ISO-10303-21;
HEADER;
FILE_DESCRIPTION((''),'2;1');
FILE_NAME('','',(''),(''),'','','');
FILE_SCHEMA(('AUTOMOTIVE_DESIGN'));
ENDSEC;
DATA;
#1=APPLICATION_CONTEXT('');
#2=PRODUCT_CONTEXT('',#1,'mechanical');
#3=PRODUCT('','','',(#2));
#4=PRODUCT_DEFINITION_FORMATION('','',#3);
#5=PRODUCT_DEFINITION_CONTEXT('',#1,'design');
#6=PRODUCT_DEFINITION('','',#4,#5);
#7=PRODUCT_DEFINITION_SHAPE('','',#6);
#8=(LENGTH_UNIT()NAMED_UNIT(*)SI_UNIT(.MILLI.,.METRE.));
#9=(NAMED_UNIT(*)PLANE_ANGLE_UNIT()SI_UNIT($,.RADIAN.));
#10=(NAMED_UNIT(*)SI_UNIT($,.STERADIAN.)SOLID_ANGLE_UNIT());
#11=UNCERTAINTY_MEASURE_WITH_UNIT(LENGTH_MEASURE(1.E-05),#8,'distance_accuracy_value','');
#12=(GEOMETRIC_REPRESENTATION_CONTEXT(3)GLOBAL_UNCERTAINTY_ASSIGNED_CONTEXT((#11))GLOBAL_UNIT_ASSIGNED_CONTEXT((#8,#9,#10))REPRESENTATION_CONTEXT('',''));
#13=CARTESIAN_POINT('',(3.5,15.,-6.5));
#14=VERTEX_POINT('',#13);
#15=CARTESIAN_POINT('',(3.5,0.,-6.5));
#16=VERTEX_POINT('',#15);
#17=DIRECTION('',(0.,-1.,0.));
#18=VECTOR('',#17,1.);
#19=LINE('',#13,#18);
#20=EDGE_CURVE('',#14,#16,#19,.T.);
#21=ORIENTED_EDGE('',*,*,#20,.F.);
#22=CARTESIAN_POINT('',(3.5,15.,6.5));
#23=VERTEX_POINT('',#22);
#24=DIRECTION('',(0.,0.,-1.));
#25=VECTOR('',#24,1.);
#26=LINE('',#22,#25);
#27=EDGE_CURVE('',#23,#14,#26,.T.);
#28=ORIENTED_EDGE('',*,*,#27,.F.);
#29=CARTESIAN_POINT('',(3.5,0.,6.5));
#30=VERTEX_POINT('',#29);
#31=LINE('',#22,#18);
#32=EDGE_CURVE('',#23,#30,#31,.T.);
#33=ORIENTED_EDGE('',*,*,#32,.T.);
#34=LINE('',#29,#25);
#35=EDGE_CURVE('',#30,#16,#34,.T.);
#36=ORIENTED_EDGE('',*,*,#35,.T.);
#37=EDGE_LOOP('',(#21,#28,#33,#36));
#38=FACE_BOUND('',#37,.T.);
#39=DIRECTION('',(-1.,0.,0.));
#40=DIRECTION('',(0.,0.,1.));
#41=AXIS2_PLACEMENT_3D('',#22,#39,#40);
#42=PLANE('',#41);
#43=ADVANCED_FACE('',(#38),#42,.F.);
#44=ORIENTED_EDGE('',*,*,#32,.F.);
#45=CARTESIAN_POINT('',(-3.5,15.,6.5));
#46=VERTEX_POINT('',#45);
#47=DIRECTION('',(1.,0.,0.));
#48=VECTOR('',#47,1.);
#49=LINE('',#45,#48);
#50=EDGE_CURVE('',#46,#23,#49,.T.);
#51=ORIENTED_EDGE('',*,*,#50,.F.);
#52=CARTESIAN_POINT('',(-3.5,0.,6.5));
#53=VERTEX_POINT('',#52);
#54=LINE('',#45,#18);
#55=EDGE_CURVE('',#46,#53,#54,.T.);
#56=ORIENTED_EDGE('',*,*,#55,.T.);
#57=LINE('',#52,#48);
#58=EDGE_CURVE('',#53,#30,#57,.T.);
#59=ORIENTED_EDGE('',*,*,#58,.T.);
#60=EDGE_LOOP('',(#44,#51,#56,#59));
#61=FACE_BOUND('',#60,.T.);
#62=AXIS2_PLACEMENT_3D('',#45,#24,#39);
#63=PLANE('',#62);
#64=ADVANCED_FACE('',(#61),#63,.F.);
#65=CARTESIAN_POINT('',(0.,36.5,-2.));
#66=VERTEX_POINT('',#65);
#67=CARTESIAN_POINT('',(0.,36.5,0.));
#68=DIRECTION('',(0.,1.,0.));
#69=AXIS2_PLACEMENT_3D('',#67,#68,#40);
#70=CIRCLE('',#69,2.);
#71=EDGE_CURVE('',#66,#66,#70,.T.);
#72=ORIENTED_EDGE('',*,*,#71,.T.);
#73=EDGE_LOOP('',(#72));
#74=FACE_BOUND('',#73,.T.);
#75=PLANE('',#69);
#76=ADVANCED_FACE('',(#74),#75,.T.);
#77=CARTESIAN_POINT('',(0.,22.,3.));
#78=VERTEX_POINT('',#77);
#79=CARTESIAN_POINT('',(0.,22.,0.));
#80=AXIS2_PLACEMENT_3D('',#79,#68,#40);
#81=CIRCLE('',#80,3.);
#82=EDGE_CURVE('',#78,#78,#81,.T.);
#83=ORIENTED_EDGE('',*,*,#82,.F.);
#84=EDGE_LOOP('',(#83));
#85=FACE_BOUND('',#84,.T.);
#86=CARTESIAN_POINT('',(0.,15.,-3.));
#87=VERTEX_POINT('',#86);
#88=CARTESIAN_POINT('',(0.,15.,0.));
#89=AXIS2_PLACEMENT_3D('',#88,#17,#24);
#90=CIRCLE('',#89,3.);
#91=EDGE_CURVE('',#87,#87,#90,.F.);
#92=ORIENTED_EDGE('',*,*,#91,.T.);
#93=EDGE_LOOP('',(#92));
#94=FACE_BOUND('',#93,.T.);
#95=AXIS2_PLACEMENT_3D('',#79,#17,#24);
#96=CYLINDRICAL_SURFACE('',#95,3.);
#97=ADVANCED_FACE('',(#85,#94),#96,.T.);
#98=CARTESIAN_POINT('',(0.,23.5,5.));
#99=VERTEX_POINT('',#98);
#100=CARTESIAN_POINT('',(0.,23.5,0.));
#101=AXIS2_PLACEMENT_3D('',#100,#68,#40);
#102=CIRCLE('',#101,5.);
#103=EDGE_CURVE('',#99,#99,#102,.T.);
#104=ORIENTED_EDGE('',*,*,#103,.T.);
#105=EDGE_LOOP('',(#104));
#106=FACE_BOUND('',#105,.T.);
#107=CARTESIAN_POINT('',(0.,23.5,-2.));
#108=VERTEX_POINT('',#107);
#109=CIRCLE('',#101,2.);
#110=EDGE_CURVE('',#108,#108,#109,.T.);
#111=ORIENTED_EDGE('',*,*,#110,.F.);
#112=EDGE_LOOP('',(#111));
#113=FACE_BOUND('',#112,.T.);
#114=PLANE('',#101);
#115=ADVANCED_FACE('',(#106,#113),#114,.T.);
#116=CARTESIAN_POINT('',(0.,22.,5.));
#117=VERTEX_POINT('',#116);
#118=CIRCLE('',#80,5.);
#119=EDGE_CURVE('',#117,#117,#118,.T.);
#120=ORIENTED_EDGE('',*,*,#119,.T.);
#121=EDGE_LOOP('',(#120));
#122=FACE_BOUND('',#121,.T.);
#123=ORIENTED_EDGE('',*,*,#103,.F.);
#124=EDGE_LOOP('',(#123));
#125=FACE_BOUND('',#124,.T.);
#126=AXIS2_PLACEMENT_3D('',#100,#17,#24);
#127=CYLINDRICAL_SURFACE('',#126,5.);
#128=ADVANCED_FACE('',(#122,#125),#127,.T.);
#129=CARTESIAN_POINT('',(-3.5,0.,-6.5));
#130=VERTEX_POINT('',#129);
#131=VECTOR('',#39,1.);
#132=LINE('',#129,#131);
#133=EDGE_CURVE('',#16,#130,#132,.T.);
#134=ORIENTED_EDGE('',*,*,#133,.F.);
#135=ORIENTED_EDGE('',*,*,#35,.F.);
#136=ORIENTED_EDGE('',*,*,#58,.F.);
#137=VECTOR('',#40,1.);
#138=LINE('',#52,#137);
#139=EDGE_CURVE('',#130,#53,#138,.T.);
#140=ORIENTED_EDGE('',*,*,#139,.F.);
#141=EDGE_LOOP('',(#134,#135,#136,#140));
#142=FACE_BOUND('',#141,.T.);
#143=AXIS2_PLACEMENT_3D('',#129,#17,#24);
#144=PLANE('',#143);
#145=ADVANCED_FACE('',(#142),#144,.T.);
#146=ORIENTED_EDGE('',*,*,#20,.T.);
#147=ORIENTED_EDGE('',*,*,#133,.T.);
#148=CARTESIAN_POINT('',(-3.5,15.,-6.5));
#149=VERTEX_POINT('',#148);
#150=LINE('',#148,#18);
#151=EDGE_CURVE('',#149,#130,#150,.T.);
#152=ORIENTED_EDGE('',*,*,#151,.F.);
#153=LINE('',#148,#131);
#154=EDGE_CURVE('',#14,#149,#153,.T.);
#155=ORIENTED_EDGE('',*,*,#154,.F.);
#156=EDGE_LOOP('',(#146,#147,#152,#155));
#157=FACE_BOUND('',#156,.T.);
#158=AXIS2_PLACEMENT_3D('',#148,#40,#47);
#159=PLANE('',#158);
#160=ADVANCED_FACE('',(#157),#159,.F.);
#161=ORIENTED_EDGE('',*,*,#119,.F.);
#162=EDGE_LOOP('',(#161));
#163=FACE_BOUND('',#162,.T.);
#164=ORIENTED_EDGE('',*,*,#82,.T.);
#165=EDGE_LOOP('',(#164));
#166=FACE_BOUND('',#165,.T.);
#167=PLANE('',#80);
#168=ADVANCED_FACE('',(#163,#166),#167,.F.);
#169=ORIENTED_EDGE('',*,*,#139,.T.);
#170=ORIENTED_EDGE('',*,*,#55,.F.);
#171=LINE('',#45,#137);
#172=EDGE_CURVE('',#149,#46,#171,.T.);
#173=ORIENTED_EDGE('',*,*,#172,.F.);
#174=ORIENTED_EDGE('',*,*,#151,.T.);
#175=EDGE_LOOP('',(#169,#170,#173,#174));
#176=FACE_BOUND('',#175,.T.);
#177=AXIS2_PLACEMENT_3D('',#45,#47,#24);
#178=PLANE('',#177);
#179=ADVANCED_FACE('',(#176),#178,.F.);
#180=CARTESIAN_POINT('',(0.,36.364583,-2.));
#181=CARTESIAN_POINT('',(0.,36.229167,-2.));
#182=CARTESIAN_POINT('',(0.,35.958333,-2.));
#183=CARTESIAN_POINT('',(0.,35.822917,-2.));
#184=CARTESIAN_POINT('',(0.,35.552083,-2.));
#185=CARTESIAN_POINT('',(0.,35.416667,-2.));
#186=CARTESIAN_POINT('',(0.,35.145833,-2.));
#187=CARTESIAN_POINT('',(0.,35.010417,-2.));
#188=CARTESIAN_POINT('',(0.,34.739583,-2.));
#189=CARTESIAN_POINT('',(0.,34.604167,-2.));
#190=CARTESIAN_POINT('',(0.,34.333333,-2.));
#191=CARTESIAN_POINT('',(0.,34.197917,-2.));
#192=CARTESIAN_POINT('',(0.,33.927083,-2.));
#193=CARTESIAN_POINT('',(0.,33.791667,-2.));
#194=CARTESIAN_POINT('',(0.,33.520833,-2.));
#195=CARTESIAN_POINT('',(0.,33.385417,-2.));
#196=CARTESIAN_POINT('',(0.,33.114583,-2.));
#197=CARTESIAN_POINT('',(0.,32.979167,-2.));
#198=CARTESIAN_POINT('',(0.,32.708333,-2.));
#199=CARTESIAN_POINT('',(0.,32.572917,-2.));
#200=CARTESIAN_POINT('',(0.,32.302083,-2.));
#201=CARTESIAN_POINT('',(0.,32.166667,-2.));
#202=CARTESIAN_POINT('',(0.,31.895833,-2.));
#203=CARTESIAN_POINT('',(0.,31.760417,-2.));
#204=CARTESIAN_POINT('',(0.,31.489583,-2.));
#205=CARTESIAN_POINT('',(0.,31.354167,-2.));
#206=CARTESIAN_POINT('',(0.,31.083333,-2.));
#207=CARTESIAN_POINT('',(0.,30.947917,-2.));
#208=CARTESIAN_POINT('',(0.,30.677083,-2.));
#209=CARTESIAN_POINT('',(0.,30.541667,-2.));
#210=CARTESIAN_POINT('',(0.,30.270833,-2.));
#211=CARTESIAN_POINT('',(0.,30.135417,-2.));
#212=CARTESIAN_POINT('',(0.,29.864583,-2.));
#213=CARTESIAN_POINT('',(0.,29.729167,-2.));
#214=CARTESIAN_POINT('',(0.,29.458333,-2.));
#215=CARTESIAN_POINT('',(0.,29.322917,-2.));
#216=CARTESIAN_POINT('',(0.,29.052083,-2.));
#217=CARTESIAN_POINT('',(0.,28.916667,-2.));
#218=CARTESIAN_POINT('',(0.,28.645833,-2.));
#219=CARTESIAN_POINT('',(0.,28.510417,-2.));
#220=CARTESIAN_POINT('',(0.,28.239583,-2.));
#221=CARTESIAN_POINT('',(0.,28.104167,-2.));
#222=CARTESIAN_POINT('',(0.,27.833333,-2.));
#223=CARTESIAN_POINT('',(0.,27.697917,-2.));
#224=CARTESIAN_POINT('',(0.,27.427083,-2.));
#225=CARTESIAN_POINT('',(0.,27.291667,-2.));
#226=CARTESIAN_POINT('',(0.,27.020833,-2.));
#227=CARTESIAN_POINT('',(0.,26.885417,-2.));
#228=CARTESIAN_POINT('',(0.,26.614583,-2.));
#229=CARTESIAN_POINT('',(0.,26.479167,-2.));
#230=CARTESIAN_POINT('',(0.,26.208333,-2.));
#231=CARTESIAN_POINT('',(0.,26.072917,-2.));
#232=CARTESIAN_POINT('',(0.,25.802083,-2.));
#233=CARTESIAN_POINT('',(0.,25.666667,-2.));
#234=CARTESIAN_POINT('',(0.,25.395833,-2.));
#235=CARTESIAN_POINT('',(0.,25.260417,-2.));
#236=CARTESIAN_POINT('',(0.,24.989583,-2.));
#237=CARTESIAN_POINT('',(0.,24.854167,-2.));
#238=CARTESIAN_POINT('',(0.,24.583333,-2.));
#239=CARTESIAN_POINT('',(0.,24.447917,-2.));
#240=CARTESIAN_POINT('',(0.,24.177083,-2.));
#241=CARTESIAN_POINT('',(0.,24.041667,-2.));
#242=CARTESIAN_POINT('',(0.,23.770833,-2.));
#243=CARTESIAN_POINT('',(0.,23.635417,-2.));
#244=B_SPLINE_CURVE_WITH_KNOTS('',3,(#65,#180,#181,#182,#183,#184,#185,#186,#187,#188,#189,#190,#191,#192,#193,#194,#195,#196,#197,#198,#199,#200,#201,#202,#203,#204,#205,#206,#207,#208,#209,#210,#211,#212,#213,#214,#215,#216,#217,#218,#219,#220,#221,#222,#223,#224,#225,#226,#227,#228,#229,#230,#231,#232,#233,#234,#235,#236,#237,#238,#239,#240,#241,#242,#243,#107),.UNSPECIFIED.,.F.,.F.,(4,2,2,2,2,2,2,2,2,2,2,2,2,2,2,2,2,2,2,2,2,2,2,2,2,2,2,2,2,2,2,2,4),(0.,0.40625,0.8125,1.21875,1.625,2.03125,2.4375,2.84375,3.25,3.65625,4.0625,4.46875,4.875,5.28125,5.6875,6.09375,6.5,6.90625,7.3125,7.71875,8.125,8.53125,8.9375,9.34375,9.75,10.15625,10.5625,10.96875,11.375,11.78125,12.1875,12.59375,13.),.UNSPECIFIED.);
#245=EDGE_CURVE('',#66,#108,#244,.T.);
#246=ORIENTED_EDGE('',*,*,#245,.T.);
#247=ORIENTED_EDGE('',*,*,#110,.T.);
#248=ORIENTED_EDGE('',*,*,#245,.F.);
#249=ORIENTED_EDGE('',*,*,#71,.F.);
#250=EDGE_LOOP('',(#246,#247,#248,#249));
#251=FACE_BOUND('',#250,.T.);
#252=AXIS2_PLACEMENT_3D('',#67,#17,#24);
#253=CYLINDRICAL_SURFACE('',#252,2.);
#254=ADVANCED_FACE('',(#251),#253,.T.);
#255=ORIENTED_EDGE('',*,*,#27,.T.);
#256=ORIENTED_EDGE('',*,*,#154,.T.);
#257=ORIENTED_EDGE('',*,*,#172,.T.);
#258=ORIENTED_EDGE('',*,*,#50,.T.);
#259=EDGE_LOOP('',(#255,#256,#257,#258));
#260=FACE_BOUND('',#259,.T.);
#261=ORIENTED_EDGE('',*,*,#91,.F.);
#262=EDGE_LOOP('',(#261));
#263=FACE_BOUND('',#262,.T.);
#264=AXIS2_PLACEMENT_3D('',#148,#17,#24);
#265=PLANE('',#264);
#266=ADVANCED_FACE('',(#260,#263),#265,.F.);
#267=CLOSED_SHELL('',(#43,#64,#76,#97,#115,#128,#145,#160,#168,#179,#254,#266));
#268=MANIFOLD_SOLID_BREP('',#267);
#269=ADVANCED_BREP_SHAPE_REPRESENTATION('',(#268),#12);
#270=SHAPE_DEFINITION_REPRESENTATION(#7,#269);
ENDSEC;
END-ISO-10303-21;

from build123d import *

# Parameters (mm, degrees)
ESQUISSE1_W      = 7
ESQUISSE1_H      = 13
EXTRUSION1_DEPTH = 15
ESQUISSE2_R      = 3
EXTRUSION2_DEPTH = 7
ESQUISSE3_R      = 5
EXTRUSION3_DEPTH = 1.5
ESQUISSE4_R      = 2
EXTRUSION4_DEPTH = 13


with BuildPart() as part:
    # Esquisse1 → Extrusion1 (new body)
    with BuildSketch(Plane(origin=(0, 0, 0), x_dir=(1, 0, 0), z_dir=(0, 1, 0))):
        Rectangle(ESQUISSE1_W, ESQUISSE1_H)
    extrude(amount=EXTRUSION1_DEPTH)

    # Esquisse2 → Extrusion2 (add)
    with BuildSketch(Plane(origin=(0, 15, 0), x_dir=(-1, 0, 0), z_dir=(0, 1, 0))):
        with Locations(Location((0, 0, 0), (0, 0, 270))):
            Circle(ESQUISSE2_R)
    extrude(amount=EXTRUSION2_DEPTH)

    # Esquisse3 → Extrusion3 (add)
    with BuildSketch(Plane(origin=(0, 22, 0), x_dir=(-1, 0, 0), z_dir=(0, 1, 0))):
        with Locations(Location((0, 0, 0), (0, 0, 90))):
            Circle(ESQUISSE3_R)
    extrude(amount=EXTRUSION3_DEPTH)

    # Esquisse4 → Extrusion4 (add)
    with BuildSketch(Plane(origin=(0, 23.5, 0), x_dir=(-1, 0, 0), z_dir=(0, 1, 0))):
        with Locations(Location((0, 0, 0), (0, 0, 270))):
            Circle(ESQUISSE4_R)
    extrude(amount=EXTRUSION4_DEPTH)


solid = part.part
